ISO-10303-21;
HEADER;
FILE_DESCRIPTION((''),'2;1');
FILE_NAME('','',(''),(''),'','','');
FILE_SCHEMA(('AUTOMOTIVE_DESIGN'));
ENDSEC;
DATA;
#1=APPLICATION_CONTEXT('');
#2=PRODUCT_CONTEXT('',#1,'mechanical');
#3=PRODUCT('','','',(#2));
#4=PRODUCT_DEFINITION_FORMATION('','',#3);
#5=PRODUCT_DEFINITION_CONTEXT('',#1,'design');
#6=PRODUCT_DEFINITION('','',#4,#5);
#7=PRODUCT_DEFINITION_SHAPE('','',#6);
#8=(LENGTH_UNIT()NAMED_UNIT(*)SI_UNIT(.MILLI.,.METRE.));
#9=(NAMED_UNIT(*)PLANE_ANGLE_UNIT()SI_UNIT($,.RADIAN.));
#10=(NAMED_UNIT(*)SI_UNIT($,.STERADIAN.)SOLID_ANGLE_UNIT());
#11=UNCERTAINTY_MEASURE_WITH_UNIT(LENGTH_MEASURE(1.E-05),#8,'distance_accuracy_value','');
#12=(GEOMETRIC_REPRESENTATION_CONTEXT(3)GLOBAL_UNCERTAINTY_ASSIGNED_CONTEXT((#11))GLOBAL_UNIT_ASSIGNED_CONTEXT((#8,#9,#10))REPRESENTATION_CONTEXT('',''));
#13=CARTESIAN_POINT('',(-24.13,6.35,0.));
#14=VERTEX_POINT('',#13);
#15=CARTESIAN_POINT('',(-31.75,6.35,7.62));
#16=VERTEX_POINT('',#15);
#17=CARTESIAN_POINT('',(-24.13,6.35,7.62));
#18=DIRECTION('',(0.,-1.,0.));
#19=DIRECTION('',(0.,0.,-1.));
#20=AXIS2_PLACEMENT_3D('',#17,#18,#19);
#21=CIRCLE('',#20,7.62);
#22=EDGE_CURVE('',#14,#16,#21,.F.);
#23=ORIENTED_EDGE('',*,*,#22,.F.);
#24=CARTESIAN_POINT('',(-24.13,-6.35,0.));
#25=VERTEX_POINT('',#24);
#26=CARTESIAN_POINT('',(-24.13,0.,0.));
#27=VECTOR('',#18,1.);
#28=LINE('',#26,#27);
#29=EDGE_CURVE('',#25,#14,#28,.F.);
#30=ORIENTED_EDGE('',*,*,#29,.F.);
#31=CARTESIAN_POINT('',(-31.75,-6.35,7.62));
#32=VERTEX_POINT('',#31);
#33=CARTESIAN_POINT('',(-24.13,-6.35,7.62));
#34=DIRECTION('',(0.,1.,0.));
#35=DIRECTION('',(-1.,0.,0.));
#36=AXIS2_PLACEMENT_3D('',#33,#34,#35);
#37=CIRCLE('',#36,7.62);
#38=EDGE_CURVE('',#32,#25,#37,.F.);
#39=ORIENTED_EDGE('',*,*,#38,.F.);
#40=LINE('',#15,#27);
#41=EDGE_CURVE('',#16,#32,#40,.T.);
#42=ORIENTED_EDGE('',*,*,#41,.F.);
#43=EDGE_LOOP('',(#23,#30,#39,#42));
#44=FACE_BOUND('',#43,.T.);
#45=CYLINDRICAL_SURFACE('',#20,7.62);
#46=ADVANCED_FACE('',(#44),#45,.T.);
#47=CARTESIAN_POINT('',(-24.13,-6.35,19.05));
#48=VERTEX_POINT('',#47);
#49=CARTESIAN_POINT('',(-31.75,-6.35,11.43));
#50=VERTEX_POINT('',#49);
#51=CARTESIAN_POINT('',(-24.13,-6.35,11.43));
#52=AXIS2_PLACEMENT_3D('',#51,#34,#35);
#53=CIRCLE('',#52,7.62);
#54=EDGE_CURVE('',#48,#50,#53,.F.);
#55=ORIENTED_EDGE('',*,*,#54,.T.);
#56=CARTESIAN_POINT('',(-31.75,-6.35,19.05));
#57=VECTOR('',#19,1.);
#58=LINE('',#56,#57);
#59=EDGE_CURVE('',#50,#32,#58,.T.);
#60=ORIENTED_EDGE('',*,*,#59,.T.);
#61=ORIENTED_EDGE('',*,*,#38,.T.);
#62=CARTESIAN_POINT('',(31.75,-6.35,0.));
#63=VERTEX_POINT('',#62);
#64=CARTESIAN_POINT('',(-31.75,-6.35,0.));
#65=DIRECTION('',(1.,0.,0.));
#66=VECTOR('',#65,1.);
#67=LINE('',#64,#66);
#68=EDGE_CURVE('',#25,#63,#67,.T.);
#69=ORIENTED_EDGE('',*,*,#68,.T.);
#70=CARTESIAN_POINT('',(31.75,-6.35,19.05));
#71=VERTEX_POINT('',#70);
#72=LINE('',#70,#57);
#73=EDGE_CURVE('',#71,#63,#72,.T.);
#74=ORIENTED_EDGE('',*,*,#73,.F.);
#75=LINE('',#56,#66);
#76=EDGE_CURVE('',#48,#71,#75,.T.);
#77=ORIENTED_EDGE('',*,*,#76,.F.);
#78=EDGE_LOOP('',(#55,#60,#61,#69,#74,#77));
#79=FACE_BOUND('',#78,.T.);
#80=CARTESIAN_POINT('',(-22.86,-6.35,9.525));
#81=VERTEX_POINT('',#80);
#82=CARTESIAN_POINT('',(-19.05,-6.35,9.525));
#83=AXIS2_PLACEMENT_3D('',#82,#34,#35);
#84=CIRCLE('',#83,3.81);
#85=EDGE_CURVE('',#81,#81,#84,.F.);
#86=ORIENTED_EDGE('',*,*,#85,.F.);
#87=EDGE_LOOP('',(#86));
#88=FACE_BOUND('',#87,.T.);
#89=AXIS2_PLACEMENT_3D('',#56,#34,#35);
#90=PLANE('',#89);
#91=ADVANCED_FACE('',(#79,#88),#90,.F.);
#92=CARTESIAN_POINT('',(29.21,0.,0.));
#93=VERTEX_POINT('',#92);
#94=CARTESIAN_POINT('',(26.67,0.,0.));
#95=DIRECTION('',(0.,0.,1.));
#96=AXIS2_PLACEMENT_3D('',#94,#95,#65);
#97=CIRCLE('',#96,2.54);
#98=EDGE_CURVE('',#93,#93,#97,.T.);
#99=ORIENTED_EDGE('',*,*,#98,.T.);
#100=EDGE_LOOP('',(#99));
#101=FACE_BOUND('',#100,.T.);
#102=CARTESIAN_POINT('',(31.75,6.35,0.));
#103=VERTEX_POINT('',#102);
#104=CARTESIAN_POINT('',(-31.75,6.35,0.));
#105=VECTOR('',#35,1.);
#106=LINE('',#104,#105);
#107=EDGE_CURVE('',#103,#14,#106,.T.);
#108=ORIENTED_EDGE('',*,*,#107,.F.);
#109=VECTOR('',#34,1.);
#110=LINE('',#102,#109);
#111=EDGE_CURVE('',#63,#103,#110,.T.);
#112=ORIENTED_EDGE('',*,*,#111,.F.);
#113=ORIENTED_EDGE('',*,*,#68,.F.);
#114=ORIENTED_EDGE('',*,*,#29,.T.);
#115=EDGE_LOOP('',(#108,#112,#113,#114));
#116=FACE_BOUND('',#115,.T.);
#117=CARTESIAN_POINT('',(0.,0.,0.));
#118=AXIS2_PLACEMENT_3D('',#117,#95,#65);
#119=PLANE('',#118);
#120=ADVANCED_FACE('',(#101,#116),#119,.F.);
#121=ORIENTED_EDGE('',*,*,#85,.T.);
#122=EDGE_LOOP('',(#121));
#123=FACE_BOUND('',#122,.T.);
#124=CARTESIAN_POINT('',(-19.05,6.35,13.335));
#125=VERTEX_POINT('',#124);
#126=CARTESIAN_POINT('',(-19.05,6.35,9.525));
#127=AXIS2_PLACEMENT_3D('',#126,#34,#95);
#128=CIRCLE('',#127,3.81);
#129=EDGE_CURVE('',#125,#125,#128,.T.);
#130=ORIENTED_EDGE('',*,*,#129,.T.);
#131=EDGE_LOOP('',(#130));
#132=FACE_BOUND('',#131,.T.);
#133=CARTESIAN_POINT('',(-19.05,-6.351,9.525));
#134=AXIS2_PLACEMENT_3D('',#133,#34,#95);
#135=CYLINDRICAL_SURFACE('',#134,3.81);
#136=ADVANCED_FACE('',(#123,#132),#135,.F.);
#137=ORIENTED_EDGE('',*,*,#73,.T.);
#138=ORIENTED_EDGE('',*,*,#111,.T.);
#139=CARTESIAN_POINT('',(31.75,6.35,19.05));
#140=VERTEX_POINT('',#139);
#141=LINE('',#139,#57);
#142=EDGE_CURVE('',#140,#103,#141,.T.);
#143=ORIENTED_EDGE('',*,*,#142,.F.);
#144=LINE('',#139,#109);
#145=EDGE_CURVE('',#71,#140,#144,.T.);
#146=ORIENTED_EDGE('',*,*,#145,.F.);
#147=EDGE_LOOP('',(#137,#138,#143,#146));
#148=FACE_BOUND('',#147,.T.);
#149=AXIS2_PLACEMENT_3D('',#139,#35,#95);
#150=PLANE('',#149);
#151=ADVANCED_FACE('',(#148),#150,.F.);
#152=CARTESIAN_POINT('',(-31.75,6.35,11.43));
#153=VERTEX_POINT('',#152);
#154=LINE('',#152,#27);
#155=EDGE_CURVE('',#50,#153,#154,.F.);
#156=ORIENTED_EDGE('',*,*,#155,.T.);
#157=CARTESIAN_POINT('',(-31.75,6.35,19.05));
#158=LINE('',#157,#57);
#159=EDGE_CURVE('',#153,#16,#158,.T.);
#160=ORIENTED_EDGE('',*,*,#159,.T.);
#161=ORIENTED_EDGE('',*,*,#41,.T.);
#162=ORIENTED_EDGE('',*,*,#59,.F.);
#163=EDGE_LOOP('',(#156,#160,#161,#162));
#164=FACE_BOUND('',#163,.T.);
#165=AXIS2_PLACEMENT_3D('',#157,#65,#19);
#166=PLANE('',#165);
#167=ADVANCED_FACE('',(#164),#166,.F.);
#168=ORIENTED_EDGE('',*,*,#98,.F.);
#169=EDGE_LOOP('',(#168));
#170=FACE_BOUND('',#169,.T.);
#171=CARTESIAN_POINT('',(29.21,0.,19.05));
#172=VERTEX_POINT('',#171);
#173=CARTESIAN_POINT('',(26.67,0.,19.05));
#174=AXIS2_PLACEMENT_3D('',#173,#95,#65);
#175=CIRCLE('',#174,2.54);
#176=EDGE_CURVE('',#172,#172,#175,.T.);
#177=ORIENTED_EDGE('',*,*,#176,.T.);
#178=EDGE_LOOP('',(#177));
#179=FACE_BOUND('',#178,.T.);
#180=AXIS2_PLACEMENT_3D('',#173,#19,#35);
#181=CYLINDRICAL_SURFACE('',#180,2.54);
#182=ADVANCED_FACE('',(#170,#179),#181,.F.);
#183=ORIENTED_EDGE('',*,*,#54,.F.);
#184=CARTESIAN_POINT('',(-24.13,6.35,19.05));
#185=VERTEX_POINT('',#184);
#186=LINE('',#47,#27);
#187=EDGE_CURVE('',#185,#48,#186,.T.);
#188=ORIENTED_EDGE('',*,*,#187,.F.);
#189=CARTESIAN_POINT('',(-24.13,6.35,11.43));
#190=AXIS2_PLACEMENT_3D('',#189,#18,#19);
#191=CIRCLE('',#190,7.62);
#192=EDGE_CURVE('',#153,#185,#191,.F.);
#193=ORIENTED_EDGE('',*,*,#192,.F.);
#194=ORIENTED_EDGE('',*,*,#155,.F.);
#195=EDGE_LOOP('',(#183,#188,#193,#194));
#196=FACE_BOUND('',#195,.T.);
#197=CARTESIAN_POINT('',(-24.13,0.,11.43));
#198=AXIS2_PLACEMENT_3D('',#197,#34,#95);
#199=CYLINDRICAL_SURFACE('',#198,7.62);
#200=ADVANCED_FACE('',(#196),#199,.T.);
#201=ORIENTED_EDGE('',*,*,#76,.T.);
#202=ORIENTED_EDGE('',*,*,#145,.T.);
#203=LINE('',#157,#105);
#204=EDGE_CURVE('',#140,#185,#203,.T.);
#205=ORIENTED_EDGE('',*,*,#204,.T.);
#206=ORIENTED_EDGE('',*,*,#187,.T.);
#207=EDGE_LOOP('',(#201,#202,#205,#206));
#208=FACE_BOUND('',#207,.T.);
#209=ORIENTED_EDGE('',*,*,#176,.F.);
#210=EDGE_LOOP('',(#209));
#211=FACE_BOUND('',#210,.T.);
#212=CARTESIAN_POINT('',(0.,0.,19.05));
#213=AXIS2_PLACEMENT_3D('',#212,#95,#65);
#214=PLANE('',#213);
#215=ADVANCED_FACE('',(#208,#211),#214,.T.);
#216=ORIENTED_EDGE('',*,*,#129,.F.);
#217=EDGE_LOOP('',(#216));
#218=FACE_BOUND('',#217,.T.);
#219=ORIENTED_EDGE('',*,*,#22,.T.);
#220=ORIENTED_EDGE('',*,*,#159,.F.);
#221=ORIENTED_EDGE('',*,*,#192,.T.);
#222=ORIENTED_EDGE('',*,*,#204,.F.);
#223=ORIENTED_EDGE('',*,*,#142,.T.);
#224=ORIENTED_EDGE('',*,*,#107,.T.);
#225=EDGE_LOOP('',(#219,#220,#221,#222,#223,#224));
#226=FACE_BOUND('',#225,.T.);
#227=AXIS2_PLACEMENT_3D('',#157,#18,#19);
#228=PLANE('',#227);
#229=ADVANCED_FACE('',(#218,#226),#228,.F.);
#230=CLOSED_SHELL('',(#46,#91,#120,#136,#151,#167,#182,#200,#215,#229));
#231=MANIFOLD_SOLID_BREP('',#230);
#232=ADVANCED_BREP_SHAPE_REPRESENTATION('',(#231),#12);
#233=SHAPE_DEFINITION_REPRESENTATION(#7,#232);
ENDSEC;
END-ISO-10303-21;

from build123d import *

# Parameters (mm, degrees)
SKETCH1_W           = 63.5
SKETCH1_H           = 12.7
SKETCH1_R           = 2.54
BOSS_EXTRUDE1_DEPTH = 19.05
CUT_EXTRUDE1_REACH  = 14.7
SKETCH2_R           = 3.81
FILLET1_R           = 7.62


with BuildPart() as part:
    # Sketch1 → Boss-Extrude1 (new body)
    with BuildSketch(Plane.XY):
        Rectangle(SKETCH1_W, SKETCH1_H)
        with Locations((26.67, 0)):
            Circle(SKETCH1_R, mode=Mode.SUBTRACT)
    extrude(amount=BOSS_EXTRUDE1_DEPTH)

    # Sketch2 → Cut-Extrude1 (cut, up to next)
    with BuildSketch(Plane(origin=(0, 6.35, 0), x_dir=(1, 0, 0), z_dir=(0, 1, 0)), mode=Mode.PRIVATE) as cut_extrude1_sk1:
        with Locations((-19.05, -9.525)):
            Circle(SKETCH2_R)
    cut_extrude1_tool1 = extrude(cut_extrude1_sk1.sketch, amount=-CUT_EXTRUDE1_REACH, mode=Mode.PRIVATE) & part.part
    add(cut_extrude1_tool1.solids().sort_by_distance((-19.05, 6.35, 9.525))[0], mode=Mode.SUBTRACT)

    # Fillet1
    fillet1_edges = [part.edges().sort_by_distance(p)[0] for p in [
        (-31.75, 0, 19.05),
        (-31.75, 0, 0),
    ]]
    fillet(fillet1_edges, radius=FILLET1_R)


solid = part.part
